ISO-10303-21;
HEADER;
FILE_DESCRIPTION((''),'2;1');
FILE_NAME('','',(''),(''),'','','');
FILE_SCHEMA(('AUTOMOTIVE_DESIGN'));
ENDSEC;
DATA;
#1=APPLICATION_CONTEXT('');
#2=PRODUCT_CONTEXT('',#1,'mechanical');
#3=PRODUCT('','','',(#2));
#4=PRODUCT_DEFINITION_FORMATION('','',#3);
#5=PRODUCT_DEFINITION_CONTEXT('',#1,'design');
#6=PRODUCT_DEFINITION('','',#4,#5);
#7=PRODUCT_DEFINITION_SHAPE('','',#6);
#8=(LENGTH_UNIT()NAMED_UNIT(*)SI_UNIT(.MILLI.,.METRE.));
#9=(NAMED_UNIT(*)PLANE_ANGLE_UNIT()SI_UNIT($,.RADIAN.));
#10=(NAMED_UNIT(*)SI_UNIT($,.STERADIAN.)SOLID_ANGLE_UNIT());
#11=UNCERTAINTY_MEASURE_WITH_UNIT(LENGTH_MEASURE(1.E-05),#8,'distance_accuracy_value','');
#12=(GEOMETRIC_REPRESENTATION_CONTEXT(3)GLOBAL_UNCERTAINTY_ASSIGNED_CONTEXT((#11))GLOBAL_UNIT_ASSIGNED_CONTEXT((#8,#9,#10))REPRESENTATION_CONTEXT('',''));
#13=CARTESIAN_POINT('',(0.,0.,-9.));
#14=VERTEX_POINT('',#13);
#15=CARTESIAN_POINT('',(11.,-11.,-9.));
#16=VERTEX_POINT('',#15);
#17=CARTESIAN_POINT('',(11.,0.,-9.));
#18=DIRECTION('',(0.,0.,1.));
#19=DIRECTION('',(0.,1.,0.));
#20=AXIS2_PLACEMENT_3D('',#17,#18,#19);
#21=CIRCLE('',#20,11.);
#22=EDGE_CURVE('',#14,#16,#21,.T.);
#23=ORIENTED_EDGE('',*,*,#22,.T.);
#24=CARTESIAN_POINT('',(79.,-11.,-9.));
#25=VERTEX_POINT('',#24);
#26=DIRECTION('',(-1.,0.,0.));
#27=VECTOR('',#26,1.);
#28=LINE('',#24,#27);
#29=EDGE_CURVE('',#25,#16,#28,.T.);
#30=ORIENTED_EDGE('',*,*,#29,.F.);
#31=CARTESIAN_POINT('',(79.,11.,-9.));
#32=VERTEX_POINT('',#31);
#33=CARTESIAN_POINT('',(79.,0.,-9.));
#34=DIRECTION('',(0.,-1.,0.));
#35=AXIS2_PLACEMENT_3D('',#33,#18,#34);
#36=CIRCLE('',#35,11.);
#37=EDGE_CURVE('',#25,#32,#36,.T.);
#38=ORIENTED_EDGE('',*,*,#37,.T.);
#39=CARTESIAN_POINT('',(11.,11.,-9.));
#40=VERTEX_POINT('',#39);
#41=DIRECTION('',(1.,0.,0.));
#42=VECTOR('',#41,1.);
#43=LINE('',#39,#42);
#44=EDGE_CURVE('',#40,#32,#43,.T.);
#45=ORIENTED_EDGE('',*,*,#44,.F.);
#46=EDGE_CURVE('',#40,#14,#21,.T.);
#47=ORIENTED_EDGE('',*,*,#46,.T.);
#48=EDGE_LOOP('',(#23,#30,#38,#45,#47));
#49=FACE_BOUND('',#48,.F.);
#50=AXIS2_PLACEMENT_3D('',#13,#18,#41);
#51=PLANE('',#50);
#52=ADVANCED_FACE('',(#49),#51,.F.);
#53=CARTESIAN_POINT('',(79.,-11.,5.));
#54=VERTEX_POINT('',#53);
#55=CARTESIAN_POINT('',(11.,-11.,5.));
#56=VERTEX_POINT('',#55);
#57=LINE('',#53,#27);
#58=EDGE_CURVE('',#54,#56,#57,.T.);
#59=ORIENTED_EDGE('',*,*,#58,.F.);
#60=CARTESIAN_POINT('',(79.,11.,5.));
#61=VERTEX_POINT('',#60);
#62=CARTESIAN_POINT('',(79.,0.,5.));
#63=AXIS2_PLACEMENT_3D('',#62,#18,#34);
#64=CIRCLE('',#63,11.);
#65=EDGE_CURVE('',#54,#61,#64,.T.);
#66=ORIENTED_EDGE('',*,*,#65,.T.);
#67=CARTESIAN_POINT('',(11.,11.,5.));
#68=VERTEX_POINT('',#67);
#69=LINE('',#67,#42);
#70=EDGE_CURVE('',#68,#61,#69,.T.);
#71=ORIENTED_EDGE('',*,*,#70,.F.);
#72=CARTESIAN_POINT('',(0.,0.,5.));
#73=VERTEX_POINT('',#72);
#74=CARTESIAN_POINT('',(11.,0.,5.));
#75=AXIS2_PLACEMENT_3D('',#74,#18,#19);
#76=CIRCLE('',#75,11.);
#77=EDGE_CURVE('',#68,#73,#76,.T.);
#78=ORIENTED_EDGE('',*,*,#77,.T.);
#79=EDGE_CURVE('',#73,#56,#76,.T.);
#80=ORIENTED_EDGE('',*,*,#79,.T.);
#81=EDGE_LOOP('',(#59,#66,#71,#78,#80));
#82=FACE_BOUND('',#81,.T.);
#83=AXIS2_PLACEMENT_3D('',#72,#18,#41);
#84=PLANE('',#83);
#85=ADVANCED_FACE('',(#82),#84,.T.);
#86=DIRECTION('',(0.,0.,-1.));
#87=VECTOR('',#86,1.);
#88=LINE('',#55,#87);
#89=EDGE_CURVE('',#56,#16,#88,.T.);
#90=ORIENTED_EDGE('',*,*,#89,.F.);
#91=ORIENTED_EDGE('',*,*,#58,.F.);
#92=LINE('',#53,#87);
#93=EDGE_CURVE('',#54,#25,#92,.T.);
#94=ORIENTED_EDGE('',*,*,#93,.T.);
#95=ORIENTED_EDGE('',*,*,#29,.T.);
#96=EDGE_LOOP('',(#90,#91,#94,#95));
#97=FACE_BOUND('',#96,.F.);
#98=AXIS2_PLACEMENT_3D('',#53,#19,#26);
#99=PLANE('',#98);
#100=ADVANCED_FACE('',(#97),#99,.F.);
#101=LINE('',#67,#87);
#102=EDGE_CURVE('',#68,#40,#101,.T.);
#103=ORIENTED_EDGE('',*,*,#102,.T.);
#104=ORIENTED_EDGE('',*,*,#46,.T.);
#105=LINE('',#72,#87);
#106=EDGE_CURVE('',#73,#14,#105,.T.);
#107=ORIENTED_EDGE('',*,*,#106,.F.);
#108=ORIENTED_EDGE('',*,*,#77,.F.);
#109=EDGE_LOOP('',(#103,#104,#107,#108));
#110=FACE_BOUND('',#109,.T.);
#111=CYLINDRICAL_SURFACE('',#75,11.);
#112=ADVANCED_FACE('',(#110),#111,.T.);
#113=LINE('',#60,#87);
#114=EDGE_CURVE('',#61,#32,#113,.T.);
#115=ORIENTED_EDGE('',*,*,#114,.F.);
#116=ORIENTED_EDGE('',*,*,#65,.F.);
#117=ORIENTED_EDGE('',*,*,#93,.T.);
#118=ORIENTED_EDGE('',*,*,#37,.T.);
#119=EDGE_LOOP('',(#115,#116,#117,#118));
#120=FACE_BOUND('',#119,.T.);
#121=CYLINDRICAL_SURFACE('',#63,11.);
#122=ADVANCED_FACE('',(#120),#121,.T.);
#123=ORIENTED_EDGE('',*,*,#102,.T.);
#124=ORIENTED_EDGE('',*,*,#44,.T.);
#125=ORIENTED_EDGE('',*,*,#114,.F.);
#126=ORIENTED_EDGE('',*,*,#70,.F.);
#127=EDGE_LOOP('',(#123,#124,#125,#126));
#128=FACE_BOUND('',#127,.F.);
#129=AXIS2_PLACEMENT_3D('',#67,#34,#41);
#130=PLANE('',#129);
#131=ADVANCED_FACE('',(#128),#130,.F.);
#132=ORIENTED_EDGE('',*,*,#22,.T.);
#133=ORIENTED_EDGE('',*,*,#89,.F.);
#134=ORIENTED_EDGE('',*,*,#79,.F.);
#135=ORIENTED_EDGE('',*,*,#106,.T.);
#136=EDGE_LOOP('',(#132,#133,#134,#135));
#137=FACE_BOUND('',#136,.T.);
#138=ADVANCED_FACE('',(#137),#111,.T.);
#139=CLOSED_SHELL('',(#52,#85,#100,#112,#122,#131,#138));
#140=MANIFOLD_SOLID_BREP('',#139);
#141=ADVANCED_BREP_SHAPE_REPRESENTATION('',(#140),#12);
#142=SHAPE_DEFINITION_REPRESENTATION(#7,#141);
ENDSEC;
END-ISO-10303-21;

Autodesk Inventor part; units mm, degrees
sketch "Sketch1" plane through (0, 0, 0) normal (0, 0, 1) x (1, 0, 0)
  line L0 (11, 11) -> (79, 11)
  line L1 (79, -11) -> (11, -11)
  arc A0 (11, 11) -> (11, -11) centre (11, 0) ccw
  line L2 (0, 9.4) -> (0, -7.4) projected
  line L3 (-5, 0) -> (30, 0) projected
  arc A1 (79, -11) -> (79, 11) centre (79, 0) ccw
  line L4 (90, 0) -> (90, 7) construction
  dimension "d0" = 11
  dimension "d8" = 11
  dimension "d9" = 90
ref_plane "Work Plane1" through (0, 0, -9) normal (0, 0, 1) x (1, 0, 0)
ref_plane "Work Plane2" through (0, 0, 5) normal (0, 0, 1) x (1, 0, 0)
extrude "Body1" add sketch "Sketch1" against normal up to surface (14 mm away) from surface at 5
ref_plane "Work Plane3" through (90, 0, 5) normal (1, 0, 0) x (0, 1, 0)
equation "\"d0\" = 0.5 * PB"
equation "\"d8\" = 0.5 * PB"
equation "\"d9\" = NLG"
equation "\"d1\" = -PNT"
equation "\"d2\" = PH - PNT"
equation "\"NLG\" = 90"
equation "\"PB\" = 22"
equation "\"PNT\" = 9"
equation "\"PH\" = 14"
equation "\"RR\" = 0.001"
equation "\"WDMIN\" = 75"
equation "\"PHH\" = 0"
equation "\"WDMAX\" = 85"
equation "\"PUEB\" = 5.4"
properties part number "DIN 6885 - A 22 x 14 x 90" material "Steel, Mild"
